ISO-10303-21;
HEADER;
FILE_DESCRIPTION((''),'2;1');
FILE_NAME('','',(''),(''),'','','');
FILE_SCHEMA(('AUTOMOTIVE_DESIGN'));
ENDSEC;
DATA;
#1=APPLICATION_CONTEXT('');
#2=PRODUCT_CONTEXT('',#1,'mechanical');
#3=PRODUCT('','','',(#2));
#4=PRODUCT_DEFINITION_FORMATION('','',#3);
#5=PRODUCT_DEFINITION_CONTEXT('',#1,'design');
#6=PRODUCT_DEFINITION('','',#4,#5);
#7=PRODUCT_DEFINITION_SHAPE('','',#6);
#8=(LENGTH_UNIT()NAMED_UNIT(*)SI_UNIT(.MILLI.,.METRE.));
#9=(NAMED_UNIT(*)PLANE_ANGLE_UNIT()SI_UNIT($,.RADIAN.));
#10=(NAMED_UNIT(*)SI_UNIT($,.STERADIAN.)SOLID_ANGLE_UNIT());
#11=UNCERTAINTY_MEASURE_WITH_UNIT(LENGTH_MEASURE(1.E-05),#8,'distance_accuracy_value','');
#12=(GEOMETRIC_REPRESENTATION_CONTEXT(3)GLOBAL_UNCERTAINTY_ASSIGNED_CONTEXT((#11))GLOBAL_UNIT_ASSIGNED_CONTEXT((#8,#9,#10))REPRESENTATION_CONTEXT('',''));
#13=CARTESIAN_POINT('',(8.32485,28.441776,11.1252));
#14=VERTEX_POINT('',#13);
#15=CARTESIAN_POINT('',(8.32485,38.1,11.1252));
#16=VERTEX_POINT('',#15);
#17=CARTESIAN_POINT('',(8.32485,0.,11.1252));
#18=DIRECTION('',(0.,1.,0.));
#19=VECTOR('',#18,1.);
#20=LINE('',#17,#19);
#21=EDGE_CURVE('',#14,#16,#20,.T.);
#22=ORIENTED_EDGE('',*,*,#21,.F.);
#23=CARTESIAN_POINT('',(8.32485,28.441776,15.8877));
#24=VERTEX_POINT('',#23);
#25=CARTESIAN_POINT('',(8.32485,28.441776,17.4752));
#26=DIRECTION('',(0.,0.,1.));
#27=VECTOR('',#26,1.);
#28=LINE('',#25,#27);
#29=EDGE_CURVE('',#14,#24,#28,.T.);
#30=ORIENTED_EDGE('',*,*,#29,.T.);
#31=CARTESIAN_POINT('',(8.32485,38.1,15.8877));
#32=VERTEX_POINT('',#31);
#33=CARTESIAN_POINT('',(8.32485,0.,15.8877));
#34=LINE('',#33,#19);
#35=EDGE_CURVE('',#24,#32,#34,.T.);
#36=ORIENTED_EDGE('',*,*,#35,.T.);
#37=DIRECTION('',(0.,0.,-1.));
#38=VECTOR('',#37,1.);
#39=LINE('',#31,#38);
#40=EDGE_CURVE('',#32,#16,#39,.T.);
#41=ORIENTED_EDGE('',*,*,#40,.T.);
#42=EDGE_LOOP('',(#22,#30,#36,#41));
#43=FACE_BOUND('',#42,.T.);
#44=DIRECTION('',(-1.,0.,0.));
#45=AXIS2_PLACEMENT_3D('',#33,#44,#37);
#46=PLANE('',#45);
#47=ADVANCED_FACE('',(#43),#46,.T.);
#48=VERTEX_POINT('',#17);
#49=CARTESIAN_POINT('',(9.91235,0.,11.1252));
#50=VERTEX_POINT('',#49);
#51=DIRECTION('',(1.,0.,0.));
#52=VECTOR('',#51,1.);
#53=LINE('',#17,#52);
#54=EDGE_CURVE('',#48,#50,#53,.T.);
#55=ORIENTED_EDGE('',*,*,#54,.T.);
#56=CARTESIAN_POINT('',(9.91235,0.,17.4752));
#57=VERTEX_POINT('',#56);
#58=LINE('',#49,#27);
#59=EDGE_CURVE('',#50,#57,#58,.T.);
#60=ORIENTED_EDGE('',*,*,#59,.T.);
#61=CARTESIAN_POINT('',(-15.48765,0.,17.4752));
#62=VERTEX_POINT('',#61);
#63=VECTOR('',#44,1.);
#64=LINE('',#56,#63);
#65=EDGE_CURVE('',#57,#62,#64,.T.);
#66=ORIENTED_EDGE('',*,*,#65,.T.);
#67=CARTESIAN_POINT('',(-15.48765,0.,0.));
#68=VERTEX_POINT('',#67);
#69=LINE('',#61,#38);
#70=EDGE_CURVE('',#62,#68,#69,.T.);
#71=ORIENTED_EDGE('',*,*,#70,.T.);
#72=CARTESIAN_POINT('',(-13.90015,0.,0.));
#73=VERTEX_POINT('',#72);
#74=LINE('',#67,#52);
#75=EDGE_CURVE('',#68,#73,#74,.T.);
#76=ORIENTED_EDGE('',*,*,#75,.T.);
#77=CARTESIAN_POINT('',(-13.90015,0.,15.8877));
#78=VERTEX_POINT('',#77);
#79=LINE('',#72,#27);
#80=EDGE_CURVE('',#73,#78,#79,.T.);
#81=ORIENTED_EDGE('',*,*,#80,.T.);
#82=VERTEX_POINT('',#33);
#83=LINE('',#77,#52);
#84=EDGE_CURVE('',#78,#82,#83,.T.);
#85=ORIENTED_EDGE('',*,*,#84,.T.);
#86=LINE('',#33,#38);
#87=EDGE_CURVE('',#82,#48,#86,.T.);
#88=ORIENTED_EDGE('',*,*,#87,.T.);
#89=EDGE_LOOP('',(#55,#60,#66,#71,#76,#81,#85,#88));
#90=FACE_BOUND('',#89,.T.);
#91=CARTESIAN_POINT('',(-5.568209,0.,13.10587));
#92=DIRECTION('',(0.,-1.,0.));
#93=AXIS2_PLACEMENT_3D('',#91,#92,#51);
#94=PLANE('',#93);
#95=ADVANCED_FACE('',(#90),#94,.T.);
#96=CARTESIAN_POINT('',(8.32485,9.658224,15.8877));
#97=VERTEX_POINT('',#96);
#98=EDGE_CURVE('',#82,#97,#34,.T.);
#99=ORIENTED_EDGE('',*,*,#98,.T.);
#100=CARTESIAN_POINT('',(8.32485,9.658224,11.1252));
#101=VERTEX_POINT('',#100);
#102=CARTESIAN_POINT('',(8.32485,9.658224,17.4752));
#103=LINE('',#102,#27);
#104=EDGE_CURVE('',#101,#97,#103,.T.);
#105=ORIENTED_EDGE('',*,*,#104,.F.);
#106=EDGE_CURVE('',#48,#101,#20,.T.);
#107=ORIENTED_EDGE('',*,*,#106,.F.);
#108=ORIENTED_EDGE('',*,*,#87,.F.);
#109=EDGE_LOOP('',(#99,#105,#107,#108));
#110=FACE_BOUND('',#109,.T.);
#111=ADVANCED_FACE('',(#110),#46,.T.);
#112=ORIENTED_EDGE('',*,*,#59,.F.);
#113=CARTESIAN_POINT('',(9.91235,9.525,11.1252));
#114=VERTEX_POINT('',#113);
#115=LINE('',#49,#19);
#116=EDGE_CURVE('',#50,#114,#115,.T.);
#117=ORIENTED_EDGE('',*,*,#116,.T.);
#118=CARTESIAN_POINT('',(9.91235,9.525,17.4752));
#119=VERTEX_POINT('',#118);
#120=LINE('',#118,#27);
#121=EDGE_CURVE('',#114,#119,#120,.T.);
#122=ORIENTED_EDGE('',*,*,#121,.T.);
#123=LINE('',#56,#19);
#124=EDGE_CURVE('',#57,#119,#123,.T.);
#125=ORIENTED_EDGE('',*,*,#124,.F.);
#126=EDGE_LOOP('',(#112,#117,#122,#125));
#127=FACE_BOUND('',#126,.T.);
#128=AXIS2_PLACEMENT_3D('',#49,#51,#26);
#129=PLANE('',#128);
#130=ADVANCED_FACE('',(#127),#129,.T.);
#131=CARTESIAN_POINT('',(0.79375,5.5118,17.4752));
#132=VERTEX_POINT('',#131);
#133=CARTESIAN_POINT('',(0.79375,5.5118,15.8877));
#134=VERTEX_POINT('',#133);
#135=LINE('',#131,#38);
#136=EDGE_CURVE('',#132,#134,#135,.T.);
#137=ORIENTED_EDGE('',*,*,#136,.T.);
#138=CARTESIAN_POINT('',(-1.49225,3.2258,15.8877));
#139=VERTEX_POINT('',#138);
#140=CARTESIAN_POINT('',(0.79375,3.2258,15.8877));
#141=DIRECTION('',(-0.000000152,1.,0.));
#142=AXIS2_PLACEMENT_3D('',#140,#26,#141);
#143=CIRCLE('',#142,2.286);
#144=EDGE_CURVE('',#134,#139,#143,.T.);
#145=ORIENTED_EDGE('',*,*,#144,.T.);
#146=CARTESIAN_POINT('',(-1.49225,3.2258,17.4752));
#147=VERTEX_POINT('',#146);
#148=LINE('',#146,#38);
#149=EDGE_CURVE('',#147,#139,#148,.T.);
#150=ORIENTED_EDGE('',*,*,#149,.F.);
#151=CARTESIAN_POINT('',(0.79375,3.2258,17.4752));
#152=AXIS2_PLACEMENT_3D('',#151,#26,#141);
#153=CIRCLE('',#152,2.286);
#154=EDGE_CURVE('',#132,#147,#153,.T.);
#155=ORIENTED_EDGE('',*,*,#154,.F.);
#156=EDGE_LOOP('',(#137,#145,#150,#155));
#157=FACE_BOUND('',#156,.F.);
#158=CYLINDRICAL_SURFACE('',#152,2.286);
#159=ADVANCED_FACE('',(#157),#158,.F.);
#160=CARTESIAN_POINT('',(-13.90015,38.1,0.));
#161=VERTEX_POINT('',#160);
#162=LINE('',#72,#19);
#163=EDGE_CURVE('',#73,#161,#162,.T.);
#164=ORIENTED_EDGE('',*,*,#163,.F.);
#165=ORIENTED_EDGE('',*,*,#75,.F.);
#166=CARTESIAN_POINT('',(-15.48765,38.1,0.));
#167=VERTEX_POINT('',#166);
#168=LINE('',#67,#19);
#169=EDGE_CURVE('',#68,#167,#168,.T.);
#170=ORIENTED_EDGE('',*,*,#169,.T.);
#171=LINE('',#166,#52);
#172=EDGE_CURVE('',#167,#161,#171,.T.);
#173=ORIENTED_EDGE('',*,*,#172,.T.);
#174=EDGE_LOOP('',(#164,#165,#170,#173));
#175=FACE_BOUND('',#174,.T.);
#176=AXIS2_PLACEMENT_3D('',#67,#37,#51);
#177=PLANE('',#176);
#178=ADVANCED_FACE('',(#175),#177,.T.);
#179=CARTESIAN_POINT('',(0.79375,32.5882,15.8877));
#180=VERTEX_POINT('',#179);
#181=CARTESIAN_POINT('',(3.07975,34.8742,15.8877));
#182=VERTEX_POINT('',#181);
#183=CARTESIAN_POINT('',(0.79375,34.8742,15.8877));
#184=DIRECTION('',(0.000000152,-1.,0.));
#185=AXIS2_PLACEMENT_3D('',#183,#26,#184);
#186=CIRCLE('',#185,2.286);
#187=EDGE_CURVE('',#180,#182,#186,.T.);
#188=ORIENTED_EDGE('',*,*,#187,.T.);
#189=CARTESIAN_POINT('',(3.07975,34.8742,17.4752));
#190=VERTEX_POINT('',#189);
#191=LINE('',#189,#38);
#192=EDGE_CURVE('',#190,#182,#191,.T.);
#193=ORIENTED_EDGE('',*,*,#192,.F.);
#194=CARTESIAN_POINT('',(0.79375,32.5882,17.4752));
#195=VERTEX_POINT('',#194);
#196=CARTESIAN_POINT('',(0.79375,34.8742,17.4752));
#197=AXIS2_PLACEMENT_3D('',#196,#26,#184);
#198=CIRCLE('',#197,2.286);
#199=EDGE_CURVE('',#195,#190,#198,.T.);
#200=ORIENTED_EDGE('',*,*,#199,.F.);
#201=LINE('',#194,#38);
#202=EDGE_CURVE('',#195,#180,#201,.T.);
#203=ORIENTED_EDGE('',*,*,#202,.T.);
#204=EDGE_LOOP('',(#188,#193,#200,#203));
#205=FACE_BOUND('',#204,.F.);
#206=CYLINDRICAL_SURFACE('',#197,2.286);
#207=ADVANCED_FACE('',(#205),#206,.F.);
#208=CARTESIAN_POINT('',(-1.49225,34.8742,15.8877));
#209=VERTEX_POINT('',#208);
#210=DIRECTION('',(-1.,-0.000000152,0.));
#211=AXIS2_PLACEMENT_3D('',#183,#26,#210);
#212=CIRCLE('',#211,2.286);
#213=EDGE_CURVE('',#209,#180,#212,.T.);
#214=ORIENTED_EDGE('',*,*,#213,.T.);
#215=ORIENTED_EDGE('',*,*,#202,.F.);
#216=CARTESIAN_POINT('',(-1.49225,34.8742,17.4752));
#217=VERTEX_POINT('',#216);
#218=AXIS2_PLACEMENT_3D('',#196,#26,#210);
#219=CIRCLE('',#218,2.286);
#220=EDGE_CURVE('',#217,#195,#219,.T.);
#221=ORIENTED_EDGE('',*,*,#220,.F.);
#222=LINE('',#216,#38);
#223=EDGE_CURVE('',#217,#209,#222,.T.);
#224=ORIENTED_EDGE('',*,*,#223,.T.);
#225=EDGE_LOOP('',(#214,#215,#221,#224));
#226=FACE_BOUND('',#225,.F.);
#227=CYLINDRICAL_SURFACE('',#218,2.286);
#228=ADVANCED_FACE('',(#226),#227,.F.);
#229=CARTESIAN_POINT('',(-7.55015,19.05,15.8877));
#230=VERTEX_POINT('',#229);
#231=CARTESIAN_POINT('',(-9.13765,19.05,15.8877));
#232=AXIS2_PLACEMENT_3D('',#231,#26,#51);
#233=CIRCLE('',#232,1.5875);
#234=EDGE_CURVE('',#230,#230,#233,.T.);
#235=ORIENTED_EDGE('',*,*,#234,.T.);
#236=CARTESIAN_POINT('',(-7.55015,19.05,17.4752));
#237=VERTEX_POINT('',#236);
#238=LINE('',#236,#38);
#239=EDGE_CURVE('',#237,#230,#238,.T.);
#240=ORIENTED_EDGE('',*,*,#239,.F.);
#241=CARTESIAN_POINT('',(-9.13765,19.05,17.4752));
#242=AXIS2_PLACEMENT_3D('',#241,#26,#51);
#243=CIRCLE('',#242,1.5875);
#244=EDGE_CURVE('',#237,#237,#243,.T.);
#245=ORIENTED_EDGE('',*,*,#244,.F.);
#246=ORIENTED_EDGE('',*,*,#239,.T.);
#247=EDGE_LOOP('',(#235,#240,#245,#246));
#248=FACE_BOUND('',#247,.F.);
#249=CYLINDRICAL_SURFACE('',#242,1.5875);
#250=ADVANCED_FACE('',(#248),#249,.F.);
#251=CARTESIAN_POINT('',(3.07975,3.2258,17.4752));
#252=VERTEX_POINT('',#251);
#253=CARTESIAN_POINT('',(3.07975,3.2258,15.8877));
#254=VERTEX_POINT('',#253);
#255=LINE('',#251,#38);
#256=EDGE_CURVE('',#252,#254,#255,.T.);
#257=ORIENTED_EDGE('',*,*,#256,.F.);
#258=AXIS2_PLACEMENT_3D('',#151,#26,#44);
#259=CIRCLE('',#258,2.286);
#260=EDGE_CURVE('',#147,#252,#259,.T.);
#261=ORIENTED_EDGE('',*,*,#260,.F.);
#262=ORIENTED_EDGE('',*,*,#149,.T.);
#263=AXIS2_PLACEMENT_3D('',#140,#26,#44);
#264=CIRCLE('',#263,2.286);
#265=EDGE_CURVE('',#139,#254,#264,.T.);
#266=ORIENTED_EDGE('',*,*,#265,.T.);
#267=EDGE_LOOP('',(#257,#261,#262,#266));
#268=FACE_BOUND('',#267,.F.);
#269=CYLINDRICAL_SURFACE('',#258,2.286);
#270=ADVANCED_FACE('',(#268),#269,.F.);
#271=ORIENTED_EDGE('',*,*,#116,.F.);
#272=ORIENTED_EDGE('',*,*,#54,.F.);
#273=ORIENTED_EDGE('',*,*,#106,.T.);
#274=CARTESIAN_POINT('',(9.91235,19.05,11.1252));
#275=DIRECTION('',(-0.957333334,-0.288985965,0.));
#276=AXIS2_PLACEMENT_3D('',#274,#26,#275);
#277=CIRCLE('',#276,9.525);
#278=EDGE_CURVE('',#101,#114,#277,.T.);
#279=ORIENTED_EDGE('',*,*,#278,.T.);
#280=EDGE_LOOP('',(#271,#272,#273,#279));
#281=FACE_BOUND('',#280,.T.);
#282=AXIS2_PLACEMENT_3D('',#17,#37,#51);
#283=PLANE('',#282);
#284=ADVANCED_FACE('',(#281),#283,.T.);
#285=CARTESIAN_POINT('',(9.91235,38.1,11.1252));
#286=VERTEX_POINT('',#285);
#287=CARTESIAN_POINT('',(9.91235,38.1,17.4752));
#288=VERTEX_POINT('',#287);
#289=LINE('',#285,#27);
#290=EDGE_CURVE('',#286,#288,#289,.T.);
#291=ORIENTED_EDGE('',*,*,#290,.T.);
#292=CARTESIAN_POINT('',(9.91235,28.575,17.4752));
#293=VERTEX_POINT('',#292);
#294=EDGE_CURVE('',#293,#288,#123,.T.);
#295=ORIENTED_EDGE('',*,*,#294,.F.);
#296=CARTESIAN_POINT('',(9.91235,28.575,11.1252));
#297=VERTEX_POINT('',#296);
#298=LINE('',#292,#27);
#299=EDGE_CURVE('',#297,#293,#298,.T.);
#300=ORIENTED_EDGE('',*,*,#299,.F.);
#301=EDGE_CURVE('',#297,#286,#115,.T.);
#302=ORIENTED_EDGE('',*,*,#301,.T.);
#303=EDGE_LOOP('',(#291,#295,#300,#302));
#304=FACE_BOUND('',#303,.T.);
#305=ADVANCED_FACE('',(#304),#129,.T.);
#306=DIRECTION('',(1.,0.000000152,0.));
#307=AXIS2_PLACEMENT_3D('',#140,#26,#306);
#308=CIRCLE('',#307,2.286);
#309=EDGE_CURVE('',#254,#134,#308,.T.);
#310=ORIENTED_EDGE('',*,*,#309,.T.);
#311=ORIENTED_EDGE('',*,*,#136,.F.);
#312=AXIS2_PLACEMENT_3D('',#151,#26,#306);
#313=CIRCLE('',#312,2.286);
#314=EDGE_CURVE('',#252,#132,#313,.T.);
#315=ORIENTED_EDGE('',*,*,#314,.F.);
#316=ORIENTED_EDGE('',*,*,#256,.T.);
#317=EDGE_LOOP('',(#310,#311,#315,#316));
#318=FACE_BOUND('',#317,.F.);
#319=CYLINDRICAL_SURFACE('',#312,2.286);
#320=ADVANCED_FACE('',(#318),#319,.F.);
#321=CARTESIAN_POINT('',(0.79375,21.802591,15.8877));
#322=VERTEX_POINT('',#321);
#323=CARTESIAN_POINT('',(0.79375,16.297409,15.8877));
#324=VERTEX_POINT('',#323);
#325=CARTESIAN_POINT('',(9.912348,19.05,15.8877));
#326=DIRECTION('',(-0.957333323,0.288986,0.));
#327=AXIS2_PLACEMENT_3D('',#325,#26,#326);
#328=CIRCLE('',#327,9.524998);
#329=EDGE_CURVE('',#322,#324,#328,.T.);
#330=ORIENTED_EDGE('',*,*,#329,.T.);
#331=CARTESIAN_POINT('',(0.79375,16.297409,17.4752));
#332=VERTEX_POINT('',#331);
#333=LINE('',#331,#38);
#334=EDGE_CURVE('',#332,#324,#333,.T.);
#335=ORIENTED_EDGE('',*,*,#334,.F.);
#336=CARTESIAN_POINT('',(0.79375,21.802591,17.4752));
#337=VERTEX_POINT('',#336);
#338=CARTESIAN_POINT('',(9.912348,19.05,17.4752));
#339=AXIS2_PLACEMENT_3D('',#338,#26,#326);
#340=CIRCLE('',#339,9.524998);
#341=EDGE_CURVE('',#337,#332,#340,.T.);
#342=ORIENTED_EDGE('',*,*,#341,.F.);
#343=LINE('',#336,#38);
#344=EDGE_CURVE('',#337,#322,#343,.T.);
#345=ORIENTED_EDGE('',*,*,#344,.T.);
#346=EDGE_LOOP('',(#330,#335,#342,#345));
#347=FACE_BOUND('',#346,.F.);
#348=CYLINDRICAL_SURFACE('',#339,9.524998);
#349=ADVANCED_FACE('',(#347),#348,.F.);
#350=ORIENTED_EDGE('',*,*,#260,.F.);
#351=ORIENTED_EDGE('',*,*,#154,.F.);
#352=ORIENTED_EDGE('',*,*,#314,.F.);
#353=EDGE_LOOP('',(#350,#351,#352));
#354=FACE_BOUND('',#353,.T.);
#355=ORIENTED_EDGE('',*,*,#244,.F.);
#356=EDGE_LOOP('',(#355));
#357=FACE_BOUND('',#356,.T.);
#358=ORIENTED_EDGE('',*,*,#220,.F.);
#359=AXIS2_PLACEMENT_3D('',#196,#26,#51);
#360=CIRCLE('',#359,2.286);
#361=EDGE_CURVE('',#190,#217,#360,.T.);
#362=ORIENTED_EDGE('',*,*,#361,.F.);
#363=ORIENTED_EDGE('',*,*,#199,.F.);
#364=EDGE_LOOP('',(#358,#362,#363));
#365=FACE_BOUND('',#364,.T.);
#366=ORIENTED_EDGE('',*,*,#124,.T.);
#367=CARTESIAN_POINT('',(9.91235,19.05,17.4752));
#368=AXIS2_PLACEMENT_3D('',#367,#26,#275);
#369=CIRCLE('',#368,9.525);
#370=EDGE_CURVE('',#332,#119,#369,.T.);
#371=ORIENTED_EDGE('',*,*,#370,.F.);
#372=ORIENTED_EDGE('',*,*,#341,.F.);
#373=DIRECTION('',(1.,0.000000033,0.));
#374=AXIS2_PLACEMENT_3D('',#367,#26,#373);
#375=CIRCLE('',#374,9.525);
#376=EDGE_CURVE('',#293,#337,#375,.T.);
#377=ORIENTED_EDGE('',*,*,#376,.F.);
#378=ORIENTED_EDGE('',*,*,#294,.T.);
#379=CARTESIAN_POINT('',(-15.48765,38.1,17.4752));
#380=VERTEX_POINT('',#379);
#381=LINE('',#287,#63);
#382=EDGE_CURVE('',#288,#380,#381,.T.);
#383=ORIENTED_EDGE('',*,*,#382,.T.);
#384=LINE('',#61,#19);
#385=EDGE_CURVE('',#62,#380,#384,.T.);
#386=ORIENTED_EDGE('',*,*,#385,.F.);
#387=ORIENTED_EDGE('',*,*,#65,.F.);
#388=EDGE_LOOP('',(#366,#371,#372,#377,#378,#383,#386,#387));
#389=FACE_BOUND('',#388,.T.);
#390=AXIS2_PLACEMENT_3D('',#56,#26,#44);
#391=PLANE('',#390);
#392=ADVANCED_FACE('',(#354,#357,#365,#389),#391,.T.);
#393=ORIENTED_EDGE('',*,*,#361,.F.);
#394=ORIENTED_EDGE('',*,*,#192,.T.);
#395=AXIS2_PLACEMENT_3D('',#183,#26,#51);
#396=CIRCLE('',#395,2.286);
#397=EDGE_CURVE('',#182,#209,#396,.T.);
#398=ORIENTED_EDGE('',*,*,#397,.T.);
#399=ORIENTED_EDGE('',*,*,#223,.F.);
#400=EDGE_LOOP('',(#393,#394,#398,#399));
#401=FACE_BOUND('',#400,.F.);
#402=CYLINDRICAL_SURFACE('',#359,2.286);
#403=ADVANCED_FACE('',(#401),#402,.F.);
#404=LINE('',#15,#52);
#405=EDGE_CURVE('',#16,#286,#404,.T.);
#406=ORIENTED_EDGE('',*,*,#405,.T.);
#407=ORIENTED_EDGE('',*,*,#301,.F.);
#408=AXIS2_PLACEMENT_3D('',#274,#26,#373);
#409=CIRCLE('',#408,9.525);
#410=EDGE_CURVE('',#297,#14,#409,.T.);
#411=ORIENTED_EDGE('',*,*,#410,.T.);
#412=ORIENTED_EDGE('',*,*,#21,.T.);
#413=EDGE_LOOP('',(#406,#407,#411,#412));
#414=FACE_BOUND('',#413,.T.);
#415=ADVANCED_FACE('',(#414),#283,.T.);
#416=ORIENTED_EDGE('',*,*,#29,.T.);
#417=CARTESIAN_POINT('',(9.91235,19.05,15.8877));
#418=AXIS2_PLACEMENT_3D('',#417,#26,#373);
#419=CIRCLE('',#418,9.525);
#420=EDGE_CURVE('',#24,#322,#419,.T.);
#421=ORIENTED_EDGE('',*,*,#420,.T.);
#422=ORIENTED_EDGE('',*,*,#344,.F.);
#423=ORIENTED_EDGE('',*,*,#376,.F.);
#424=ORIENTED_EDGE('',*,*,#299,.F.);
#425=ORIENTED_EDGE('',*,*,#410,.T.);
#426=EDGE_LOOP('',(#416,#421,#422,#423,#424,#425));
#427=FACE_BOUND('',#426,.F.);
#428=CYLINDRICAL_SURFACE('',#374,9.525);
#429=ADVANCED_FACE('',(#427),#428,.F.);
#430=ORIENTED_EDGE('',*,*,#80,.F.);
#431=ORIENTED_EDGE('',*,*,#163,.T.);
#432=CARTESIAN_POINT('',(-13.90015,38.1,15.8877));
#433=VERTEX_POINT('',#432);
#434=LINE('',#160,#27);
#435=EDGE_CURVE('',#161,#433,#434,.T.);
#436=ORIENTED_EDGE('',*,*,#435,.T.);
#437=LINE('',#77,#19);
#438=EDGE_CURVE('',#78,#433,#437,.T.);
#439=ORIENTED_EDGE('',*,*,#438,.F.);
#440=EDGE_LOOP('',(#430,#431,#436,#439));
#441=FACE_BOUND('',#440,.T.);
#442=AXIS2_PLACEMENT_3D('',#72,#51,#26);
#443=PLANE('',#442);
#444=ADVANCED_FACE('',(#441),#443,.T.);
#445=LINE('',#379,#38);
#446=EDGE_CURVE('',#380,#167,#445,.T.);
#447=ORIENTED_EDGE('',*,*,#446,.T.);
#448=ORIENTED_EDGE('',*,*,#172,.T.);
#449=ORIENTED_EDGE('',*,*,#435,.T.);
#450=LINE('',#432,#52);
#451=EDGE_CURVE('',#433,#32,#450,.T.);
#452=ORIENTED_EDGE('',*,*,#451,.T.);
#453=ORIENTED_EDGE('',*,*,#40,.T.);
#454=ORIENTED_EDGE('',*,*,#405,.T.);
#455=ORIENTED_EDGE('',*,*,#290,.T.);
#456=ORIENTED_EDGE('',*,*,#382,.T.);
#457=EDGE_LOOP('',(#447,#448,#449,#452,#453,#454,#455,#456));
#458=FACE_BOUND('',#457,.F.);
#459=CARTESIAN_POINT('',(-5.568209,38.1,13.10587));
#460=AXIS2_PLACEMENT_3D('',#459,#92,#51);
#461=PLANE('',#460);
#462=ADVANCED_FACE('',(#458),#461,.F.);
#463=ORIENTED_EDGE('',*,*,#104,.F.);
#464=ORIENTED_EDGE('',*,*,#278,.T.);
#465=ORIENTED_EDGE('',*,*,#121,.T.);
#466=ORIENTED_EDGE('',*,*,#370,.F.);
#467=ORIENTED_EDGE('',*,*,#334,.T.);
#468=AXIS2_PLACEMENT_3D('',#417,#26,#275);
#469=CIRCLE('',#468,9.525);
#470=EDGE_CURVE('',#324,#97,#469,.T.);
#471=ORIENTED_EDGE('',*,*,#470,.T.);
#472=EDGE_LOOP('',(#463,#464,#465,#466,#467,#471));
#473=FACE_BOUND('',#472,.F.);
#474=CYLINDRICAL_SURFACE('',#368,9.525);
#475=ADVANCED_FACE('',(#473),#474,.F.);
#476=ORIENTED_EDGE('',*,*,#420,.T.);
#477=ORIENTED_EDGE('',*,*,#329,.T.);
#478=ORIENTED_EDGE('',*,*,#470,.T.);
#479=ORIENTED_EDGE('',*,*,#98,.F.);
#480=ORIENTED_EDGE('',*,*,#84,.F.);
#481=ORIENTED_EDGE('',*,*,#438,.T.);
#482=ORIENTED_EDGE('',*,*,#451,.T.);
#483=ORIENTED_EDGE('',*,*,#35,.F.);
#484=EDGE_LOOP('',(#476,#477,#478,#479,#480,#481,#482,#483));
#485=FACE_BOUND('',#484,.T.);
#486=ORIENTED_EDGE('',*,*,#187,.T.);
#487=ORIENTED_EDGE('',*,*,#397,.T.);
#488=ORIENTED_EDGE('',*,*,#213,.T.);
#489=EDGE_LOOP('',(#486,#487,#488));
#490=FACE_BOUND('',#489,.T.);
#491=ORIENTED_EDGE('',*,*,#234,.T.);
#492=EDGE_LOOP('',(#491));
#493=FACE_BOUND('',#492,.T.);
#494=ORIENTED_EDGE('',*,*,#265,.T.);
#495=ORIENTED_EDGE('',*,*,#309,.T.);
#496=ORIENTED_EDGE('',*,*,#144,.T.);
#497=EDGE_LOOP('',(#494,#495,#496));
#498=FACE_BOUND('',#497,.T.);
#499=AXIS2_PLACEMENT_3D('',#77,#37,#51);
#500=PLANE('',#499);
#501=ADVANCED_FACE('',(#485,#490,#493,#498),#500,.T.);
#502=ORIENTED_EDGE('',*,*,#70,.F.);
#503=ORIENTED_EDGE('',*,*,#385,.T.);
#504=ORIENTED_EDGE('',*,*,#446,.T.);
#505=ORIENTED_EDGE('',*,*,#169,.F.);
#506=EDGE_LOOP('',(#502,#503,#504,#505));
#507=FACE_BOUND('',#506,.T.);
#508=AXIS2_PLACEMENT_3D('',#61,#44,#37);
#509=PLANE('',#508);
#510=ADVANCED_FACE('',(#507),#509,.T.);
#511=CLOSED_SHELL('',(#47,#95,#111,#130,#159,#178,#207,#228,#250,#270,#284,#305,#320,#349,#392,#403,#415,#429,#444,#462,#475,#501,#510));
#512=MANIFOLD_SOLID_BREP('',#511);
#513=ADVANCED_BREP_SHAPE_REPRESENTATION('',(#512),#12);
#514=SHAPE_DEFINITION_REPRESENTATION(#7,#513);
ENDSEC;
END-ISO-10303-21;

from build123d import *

# Parameters (mm, degrees)
F1_DEPTH = 38.1
F2_R     = 1.5875
F3_DEPTH = 17.4762


with BuildPart() as f1:
    # F0 (on Front) → F1 (new body)
    with BuildSketch(Plane.XZ):
        Polygon((9.91235, 17.4752), (-15.48765, 17.4752), (-15.48765, 0), (-13.90015, 0), (-13.90015, 15.8877), (8.32485, 15.8877), (8.32485, 11.1252), (9.91235, 11.1252), align=None)
    extrude(amount=-F1_DEPTH)

    # F2 (on face) → F3 (cut, through all)
    with BuildSketch(Plane.XY.offset(17.4752)):
        with BuildLine():
            Line((-1.49225, 3.2258), (0.79375, 3.2258))
            Line((0.79375, 3.2258), (0.79375, 5.5118))
            ThreePointArc((0.79375, 5.5118), (-0.822696, 4.842246), (-1.49225, 3.2258))
        make_face()
        with BuildLine():
            Line((0.79375, 5.5118), (0.79375, 3.2258))
            Line((0.79375, 3.2258), (3.07975, 3.2258))
            ThreePointArc((3.07975, 3.2258), (2.410196, 4.842246), (0.79375, 5.5118))
        make_face()
        with BuildLine():
            Line((3.07975, 3.2258), (0.79375, 3.2258))
            Line((0.79375, 3.2258), (-1.49225, 3.2258))
            ThreePointArc((-1.49225, 3.2258), (0.79375, 0.9398), (3.07975, 3.2258))
        make_face()
        with BuildLine():
            ThreePointArc((-1.49225, 34.8742), (-0.822696, 33.257754), (0.79375, 32.5882))
            Line((0.79375, 32.5882), (0.79375, 34.8742))
            Line((0.79375, 34.8742), (-1.49225, 34.8742))
        make_face()
        with BuildLine():
            Line((0.79375, 34.8742), (0.79375, 32.5882))
            ThreePointArc((0.79375, 32.5882), (2.410196, 33.257754), (3.07975, 34.8742))
            Line((3.07975, 34.8742), (0.79375, 34.8742))
        make_face()
        with BuildLine():
            ThreePointArc((0.79375, 21.802591), (0.38735, 19.05), (0.79375, 16.297409))
            Line((0.79375, 16.297409), (0.79375, 21.802591))
        make_face()
        with BuildLine():
            Line((0.79375, 21.802591), (0.79375, 16.297409))
            ThreePointArc((0.79375, 16.297409), (11.303565, 9.627148), (19.43735, 19.05))
            ThreePointArc((19.43735, 19.05), (11.303565, 28.472852), (0.79375, 21.802591))
        make_face()
        with BuildLine():
            Line((-1.49225, 34.8742), (0.79375, 34.8742))
            Line((0.79375, 34.8742), (3.07975, 34.8742))
            ThreePointArc((3.07975, 34.8742), (0.79375, 37.1602), (-1.49225, 34.8742))
        make_face()
        with Locations((-9.13765, 19.05)):
            Circle(F2_R)
    extrude(amount=-F3_DEPTH, mode=Mode.SUBTRACT)


solid = f1.part
